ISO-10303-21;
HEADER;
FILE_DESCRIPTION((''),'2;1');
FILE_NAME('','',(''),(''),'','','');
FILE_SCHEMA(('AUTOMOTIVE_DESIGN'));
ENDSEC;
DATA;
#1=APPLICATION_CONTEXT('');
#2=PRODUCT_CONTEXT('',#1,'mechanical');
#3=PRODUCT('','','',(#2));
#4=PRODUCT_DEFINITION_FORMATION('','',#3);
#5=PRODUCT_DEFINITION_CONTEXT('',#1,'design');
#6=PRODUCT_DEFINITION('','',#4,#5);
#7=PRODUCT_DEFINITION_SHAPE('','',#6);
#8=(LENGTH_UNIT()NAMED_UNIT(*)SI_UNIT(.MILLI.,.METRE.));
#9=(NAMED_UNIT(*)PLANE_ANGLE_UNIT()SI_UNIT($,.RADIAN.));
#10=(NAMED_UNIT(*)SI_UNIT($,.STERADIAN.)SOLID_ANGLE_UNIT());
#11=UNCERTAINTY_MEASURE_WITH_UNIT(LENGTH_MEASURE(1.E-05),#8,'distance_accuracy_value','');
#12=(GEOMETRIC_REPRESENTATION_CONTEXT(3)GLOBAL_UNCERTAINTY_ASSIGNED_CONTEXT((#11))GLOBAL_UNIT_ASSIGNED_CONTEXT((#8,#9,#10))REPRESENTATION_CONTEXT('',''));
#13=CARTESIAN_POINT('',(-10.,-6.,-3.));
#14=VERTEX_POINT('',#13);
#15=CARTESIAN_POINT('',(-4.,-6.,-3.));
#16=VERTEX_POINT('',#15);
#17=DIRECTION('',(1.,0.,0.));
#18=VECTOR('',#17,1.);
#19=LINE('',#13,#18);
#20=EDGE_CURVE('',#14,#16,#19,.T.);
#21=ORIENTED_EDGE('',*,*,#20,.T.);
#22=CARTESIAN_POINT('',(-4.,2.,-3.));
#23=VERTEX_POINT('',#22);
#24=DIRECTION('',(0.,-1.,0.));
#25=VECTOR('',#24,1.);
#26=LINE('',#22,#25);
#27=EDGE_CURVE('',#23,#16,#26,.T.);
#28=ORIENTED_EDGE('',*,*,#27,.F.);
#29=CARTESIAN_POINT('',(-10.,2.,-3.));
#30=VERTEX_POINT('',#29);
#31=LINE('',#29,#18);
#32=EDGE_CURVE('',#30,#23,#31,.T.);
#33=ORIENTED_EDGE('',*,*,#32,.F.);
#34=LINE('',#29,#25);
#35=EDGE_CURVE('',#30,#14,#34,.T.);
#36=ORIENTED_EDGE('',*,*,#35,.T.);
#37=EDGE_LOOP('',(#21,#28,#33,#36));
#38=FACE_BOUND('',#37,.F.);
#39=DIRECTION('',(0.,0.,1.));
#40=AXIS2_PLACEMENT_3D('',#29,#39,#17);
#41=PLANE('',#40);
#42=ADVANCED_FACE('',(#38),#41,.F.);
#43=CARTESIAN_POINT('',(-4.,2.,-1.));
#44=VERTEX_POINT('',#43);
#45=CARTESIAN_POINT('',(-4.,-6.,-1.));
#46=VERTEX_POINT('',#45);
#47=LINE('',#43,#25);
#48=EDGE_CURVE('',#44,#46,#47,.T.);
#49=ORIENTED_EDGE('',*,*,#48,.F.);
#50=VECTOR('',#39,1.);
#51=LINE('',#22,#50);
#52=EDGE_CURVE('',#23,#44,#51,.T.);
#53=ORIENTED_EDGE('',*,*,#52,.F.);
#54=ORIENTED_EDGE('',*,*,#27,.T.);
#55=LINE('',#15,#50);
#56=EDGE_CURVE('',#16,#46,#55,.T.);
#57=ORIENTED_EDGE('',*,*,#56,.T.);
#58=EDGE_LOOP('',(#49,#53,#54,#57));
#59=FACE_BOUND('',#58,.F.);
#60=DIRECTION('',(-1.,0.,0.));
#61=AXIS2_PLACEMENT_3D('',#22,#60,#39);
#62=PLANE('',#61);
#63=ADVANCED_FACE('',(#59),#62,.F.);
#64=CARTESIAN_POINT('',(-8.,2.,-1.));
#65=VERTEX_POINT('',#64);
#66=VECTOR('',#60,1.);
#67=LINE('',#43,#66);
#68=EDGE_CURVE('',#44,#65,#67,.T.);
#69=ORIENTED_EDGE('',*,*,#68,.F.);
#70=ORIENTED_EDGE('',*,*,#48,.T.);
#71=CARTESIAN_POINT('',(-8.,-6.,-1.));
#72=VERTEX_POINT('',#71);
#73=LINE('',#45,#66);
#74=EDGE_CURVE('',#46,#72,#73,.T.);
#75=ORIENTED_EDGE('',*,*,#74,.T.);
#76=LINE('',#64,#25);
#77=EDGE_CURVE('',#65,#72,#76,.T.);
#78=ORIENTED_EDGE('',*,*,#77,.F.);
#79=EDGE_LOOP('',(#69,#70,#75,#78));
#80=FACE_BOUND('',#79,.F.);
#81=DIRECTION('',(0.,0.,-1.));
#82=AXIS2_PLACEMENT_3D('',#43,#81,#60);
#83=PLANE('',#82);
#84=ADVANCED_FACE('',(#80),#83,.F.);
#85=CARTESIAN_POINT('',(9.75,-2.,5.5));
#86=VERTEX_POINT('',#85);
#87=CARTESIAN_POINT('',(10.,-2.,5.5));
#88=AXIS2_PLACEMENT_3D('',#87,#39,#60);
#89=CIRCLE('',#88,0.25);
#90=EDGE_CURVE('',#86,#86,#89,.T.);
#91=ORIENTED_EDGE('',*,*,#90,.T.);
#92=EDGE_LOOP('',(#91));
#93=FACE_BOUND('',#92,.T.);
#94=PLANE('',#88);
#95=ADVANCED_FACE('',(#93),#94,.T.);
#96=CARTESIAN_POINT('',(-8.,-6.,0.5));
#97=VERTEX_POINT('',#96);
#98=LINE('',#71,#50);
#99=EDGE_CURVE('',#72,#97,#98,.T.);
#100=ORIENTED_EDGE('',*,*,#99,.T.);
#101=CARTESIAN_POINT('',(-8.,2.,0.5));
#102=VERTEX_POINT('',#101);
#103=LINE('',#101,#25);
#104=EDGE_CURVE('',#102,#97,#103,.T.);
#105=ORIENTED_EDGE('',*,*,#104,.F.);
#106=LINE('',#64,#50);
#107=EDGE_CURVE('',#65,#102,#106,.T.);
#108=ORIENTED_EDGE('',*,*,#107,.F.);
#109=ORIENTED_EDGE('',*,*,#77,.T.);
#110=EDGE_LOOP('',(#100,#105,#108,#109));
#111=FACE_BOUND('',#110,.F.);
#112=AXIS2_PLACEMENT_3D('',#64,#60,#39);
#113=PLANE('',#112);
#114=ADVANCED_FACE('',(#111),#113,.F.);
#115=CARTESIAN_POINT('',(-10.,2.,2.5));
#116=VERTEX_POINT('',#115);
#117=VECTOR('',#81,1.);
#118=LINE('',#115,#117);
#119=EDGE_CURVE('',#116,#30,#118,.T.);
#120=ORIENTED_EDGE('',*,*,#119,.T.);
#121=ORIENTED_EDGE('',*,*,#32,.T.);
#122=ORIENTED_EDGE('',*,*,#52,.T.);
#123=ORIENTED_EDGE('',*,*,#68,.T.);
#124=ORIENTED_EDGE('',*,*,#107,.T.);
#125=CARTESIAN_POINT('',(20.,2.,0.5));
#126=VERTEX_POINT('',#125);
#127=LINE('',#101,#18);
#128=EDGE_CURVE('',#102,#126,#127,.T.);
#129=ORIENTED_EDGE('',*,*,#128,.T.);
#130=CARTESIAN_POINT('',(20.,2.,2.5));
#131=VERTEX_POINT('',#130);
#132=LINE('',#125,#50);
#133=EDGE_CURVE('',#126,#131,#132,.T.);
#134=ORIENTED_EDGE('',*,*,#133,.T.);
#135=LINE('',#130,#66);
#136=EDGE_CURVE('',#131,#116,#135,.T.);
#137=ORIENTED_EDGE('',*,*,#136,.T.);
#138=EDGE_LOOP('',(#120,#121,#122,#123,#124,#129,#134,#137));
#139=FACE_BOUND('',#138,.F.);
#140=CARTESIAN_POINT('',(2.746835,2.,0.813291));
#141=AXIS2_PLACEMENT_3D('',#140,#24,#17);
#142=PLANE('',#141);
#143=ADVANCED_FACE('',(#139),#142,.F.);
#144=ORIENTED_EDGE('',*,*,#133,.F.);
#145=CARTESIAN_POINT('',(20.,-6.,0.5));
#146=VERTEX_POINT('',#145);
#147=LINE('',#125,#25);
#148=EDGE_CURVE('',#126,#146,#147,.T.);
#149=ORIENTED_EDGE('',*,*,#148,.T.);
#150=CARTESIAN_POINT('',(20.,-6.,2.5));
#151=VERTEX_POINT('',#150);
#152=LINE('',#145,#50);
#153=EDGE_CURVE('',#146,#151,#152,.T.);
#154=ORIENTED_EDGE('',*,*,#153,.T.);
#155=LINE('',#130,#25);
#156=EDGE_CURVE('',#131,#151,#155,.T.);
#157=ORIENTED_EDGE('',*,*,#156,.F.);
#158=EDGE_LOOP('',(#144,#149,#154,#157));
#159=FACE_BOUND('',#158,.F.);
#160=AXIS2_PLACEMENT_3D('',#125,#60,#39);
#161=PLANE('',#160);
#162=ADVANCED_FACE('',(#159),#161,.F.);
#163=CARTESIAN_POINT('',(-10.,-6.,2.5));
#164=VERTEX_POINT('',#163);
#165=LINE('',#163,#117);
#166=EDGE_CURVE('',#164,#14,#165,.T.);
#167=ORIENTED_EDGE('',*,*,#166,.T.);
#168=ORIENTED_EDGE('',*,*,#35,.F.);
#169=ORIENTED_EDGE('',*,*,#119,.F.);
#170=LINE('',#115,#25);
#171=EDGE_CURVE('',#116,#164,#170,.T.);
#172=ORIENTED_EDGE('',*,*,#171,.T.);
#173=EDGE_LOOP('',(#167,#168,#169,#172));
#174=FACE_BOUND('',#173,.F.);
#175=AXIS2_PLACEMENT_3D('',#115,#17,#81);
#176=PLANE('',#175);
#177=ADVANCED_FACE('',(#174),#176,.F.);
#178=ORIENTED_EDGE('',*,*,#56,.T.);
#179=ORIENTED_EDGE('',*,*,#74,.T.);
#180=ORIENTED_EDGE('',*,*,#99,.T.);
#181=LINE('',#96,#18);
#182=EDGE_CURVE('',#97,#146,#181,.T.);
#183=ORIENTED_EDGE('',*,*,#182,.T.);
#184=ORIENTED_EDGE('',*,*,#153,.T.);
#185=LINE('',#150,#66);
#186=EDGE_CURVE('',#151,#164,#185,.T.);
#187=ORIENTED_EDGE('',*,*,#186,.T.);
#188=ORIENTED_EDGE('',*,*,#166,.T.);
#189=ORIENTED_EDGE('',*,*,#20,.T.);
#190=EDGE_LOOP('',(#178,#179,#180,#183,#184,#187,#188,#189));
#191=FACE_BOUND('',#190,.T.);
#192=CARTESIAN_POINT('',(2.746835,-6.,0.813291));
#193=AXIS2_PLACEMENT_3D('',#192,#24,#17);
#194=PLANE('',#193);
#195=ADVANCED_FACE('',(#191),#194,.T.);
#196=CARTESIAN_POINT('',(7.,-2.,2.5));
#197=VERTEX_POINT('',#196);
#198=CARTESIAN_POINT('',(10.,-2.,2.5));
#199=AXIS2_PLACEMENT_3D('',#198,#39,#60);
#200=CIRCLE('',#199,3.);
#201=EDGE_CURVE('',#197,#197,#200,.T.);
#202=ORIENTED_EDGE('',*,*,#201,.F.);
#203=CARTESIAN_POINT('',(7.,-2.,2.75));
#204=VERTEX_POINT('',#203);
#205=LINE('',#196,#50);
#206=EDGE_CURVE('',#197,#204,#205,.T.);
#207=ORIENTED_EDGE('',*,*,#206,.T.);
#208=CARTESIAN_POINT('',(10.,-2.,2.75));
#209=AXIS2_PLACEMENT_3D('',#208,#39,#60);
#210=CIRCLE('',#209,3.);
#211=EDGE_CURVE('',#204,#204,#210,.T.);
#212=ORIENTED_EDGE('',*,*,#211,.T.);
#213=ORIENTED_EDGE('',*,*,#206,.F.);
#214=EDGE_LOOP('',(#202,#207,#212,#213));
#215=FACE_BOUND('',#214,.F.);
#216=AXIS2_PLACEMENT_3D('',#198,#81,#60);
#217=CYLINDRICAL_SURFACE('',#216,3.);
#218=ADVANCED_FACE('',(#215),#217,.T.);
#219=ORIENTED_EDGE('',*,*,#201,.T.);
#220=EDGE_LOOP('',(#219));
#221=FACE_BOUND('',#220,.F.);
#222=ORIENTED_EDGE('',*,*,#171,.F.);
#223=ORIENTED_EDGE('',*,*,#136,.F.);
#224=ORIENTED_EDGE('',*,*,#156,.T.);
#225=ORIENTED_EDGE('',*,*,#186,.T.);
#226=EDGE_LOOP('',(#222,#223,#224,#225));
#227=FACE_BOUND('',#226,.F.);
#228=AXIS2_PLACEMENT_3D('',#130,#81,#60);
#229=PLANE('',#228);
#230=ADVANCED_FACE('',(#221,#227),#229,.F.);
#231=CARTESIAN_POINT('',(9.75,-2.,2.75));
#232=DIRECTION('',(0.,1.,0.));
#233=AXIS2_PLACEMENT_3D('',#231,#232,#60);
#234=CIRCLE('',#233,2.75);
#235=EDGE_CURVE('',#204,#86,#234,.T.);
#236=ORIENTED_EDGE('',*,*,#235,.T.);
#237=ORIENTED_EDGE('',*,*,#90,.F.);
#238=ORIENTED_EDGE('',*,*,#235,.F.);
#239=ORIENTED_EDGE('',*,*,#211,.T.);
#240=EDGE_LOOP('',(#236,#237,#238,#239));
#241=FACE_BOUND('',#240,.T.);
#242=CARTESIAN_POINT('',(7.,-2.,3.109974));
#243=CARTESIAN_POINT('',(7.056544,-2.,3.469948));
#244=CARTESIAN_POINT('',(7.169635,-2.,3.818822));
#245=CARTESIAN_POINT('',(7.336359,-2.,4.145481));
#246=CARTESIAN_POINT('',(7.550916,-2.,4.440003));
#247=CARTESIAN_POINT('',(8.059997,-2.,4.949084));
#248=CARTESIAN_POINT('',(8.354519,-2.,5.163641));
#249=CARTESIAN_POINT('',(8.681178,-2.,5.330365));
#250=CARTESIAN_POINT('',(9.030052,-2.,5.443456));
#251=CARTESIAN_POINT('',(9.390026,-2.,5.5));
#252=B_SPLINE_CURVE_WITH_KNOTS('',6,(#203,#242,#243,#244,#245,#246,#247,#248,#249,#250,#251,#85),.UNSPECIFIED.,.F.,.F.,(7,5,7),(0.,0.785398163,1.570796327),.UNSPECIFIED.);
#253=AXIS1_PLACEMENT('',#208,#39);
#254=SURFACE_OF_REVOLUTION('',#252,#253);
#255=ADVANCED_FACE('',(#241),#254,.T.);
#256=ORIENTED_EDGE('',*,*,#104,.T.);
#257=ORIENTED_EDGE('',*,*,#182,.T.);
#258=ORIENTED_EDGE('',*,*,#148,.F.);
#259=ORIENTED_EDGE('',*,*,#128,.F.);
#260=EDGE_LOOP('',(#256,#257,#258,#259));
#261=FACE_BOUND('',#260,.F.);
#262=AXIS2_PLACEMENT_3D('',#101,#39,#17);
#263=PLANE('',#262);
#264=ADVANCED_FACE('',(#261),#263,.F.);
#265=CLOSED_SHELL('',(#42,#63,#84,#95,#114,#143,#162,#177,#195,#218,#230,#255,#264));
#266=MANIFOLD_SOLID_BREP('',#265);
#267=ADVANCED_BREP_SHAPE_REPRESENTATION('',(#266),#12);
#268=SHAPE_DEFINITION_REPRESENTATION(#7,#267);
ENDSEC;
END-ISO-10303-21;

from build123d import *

# Parameters (mm, degrees)
PAD002_DEPTH = 8
SKETCH_R     = 3
PAD_DEPTH    = 3
FILLET_R     = 2.75


with BuildPart() as part:
    # Sketch002 → Pad002 (new body)
    with BuildSketch(Plane.XZ.offset(-2)):
        Polygon((20, 0.5), (20, 2.5), (-10, 2.5), (-10, 0.547361), (-10, -3), (-4, -3), (-4, -1), (-8, -1), (-8, 0.5), align=None)
    extrude(amount=PAD002_DEPTH)

    # Sketch (on Face2 of Pad002) → Pad (join)
    with BuildSketch(Plane(origin=(0, 2, 2.5), x_dir=(-1, 0, 0), z_dir=(0, 0, 1))):
        with Locations((-10, 4)):
            Circle(SKETCH_R)
    extrude(amount=PAD_DEPTH)

    # Fillet
    fillet_edges = [part.edges().sort_by_distance(p)[0] for p in [
        (13, -2, 5.5),
    ]]
    fillet(fillet_edges, radius=FILLET_R)


solid = part.part
